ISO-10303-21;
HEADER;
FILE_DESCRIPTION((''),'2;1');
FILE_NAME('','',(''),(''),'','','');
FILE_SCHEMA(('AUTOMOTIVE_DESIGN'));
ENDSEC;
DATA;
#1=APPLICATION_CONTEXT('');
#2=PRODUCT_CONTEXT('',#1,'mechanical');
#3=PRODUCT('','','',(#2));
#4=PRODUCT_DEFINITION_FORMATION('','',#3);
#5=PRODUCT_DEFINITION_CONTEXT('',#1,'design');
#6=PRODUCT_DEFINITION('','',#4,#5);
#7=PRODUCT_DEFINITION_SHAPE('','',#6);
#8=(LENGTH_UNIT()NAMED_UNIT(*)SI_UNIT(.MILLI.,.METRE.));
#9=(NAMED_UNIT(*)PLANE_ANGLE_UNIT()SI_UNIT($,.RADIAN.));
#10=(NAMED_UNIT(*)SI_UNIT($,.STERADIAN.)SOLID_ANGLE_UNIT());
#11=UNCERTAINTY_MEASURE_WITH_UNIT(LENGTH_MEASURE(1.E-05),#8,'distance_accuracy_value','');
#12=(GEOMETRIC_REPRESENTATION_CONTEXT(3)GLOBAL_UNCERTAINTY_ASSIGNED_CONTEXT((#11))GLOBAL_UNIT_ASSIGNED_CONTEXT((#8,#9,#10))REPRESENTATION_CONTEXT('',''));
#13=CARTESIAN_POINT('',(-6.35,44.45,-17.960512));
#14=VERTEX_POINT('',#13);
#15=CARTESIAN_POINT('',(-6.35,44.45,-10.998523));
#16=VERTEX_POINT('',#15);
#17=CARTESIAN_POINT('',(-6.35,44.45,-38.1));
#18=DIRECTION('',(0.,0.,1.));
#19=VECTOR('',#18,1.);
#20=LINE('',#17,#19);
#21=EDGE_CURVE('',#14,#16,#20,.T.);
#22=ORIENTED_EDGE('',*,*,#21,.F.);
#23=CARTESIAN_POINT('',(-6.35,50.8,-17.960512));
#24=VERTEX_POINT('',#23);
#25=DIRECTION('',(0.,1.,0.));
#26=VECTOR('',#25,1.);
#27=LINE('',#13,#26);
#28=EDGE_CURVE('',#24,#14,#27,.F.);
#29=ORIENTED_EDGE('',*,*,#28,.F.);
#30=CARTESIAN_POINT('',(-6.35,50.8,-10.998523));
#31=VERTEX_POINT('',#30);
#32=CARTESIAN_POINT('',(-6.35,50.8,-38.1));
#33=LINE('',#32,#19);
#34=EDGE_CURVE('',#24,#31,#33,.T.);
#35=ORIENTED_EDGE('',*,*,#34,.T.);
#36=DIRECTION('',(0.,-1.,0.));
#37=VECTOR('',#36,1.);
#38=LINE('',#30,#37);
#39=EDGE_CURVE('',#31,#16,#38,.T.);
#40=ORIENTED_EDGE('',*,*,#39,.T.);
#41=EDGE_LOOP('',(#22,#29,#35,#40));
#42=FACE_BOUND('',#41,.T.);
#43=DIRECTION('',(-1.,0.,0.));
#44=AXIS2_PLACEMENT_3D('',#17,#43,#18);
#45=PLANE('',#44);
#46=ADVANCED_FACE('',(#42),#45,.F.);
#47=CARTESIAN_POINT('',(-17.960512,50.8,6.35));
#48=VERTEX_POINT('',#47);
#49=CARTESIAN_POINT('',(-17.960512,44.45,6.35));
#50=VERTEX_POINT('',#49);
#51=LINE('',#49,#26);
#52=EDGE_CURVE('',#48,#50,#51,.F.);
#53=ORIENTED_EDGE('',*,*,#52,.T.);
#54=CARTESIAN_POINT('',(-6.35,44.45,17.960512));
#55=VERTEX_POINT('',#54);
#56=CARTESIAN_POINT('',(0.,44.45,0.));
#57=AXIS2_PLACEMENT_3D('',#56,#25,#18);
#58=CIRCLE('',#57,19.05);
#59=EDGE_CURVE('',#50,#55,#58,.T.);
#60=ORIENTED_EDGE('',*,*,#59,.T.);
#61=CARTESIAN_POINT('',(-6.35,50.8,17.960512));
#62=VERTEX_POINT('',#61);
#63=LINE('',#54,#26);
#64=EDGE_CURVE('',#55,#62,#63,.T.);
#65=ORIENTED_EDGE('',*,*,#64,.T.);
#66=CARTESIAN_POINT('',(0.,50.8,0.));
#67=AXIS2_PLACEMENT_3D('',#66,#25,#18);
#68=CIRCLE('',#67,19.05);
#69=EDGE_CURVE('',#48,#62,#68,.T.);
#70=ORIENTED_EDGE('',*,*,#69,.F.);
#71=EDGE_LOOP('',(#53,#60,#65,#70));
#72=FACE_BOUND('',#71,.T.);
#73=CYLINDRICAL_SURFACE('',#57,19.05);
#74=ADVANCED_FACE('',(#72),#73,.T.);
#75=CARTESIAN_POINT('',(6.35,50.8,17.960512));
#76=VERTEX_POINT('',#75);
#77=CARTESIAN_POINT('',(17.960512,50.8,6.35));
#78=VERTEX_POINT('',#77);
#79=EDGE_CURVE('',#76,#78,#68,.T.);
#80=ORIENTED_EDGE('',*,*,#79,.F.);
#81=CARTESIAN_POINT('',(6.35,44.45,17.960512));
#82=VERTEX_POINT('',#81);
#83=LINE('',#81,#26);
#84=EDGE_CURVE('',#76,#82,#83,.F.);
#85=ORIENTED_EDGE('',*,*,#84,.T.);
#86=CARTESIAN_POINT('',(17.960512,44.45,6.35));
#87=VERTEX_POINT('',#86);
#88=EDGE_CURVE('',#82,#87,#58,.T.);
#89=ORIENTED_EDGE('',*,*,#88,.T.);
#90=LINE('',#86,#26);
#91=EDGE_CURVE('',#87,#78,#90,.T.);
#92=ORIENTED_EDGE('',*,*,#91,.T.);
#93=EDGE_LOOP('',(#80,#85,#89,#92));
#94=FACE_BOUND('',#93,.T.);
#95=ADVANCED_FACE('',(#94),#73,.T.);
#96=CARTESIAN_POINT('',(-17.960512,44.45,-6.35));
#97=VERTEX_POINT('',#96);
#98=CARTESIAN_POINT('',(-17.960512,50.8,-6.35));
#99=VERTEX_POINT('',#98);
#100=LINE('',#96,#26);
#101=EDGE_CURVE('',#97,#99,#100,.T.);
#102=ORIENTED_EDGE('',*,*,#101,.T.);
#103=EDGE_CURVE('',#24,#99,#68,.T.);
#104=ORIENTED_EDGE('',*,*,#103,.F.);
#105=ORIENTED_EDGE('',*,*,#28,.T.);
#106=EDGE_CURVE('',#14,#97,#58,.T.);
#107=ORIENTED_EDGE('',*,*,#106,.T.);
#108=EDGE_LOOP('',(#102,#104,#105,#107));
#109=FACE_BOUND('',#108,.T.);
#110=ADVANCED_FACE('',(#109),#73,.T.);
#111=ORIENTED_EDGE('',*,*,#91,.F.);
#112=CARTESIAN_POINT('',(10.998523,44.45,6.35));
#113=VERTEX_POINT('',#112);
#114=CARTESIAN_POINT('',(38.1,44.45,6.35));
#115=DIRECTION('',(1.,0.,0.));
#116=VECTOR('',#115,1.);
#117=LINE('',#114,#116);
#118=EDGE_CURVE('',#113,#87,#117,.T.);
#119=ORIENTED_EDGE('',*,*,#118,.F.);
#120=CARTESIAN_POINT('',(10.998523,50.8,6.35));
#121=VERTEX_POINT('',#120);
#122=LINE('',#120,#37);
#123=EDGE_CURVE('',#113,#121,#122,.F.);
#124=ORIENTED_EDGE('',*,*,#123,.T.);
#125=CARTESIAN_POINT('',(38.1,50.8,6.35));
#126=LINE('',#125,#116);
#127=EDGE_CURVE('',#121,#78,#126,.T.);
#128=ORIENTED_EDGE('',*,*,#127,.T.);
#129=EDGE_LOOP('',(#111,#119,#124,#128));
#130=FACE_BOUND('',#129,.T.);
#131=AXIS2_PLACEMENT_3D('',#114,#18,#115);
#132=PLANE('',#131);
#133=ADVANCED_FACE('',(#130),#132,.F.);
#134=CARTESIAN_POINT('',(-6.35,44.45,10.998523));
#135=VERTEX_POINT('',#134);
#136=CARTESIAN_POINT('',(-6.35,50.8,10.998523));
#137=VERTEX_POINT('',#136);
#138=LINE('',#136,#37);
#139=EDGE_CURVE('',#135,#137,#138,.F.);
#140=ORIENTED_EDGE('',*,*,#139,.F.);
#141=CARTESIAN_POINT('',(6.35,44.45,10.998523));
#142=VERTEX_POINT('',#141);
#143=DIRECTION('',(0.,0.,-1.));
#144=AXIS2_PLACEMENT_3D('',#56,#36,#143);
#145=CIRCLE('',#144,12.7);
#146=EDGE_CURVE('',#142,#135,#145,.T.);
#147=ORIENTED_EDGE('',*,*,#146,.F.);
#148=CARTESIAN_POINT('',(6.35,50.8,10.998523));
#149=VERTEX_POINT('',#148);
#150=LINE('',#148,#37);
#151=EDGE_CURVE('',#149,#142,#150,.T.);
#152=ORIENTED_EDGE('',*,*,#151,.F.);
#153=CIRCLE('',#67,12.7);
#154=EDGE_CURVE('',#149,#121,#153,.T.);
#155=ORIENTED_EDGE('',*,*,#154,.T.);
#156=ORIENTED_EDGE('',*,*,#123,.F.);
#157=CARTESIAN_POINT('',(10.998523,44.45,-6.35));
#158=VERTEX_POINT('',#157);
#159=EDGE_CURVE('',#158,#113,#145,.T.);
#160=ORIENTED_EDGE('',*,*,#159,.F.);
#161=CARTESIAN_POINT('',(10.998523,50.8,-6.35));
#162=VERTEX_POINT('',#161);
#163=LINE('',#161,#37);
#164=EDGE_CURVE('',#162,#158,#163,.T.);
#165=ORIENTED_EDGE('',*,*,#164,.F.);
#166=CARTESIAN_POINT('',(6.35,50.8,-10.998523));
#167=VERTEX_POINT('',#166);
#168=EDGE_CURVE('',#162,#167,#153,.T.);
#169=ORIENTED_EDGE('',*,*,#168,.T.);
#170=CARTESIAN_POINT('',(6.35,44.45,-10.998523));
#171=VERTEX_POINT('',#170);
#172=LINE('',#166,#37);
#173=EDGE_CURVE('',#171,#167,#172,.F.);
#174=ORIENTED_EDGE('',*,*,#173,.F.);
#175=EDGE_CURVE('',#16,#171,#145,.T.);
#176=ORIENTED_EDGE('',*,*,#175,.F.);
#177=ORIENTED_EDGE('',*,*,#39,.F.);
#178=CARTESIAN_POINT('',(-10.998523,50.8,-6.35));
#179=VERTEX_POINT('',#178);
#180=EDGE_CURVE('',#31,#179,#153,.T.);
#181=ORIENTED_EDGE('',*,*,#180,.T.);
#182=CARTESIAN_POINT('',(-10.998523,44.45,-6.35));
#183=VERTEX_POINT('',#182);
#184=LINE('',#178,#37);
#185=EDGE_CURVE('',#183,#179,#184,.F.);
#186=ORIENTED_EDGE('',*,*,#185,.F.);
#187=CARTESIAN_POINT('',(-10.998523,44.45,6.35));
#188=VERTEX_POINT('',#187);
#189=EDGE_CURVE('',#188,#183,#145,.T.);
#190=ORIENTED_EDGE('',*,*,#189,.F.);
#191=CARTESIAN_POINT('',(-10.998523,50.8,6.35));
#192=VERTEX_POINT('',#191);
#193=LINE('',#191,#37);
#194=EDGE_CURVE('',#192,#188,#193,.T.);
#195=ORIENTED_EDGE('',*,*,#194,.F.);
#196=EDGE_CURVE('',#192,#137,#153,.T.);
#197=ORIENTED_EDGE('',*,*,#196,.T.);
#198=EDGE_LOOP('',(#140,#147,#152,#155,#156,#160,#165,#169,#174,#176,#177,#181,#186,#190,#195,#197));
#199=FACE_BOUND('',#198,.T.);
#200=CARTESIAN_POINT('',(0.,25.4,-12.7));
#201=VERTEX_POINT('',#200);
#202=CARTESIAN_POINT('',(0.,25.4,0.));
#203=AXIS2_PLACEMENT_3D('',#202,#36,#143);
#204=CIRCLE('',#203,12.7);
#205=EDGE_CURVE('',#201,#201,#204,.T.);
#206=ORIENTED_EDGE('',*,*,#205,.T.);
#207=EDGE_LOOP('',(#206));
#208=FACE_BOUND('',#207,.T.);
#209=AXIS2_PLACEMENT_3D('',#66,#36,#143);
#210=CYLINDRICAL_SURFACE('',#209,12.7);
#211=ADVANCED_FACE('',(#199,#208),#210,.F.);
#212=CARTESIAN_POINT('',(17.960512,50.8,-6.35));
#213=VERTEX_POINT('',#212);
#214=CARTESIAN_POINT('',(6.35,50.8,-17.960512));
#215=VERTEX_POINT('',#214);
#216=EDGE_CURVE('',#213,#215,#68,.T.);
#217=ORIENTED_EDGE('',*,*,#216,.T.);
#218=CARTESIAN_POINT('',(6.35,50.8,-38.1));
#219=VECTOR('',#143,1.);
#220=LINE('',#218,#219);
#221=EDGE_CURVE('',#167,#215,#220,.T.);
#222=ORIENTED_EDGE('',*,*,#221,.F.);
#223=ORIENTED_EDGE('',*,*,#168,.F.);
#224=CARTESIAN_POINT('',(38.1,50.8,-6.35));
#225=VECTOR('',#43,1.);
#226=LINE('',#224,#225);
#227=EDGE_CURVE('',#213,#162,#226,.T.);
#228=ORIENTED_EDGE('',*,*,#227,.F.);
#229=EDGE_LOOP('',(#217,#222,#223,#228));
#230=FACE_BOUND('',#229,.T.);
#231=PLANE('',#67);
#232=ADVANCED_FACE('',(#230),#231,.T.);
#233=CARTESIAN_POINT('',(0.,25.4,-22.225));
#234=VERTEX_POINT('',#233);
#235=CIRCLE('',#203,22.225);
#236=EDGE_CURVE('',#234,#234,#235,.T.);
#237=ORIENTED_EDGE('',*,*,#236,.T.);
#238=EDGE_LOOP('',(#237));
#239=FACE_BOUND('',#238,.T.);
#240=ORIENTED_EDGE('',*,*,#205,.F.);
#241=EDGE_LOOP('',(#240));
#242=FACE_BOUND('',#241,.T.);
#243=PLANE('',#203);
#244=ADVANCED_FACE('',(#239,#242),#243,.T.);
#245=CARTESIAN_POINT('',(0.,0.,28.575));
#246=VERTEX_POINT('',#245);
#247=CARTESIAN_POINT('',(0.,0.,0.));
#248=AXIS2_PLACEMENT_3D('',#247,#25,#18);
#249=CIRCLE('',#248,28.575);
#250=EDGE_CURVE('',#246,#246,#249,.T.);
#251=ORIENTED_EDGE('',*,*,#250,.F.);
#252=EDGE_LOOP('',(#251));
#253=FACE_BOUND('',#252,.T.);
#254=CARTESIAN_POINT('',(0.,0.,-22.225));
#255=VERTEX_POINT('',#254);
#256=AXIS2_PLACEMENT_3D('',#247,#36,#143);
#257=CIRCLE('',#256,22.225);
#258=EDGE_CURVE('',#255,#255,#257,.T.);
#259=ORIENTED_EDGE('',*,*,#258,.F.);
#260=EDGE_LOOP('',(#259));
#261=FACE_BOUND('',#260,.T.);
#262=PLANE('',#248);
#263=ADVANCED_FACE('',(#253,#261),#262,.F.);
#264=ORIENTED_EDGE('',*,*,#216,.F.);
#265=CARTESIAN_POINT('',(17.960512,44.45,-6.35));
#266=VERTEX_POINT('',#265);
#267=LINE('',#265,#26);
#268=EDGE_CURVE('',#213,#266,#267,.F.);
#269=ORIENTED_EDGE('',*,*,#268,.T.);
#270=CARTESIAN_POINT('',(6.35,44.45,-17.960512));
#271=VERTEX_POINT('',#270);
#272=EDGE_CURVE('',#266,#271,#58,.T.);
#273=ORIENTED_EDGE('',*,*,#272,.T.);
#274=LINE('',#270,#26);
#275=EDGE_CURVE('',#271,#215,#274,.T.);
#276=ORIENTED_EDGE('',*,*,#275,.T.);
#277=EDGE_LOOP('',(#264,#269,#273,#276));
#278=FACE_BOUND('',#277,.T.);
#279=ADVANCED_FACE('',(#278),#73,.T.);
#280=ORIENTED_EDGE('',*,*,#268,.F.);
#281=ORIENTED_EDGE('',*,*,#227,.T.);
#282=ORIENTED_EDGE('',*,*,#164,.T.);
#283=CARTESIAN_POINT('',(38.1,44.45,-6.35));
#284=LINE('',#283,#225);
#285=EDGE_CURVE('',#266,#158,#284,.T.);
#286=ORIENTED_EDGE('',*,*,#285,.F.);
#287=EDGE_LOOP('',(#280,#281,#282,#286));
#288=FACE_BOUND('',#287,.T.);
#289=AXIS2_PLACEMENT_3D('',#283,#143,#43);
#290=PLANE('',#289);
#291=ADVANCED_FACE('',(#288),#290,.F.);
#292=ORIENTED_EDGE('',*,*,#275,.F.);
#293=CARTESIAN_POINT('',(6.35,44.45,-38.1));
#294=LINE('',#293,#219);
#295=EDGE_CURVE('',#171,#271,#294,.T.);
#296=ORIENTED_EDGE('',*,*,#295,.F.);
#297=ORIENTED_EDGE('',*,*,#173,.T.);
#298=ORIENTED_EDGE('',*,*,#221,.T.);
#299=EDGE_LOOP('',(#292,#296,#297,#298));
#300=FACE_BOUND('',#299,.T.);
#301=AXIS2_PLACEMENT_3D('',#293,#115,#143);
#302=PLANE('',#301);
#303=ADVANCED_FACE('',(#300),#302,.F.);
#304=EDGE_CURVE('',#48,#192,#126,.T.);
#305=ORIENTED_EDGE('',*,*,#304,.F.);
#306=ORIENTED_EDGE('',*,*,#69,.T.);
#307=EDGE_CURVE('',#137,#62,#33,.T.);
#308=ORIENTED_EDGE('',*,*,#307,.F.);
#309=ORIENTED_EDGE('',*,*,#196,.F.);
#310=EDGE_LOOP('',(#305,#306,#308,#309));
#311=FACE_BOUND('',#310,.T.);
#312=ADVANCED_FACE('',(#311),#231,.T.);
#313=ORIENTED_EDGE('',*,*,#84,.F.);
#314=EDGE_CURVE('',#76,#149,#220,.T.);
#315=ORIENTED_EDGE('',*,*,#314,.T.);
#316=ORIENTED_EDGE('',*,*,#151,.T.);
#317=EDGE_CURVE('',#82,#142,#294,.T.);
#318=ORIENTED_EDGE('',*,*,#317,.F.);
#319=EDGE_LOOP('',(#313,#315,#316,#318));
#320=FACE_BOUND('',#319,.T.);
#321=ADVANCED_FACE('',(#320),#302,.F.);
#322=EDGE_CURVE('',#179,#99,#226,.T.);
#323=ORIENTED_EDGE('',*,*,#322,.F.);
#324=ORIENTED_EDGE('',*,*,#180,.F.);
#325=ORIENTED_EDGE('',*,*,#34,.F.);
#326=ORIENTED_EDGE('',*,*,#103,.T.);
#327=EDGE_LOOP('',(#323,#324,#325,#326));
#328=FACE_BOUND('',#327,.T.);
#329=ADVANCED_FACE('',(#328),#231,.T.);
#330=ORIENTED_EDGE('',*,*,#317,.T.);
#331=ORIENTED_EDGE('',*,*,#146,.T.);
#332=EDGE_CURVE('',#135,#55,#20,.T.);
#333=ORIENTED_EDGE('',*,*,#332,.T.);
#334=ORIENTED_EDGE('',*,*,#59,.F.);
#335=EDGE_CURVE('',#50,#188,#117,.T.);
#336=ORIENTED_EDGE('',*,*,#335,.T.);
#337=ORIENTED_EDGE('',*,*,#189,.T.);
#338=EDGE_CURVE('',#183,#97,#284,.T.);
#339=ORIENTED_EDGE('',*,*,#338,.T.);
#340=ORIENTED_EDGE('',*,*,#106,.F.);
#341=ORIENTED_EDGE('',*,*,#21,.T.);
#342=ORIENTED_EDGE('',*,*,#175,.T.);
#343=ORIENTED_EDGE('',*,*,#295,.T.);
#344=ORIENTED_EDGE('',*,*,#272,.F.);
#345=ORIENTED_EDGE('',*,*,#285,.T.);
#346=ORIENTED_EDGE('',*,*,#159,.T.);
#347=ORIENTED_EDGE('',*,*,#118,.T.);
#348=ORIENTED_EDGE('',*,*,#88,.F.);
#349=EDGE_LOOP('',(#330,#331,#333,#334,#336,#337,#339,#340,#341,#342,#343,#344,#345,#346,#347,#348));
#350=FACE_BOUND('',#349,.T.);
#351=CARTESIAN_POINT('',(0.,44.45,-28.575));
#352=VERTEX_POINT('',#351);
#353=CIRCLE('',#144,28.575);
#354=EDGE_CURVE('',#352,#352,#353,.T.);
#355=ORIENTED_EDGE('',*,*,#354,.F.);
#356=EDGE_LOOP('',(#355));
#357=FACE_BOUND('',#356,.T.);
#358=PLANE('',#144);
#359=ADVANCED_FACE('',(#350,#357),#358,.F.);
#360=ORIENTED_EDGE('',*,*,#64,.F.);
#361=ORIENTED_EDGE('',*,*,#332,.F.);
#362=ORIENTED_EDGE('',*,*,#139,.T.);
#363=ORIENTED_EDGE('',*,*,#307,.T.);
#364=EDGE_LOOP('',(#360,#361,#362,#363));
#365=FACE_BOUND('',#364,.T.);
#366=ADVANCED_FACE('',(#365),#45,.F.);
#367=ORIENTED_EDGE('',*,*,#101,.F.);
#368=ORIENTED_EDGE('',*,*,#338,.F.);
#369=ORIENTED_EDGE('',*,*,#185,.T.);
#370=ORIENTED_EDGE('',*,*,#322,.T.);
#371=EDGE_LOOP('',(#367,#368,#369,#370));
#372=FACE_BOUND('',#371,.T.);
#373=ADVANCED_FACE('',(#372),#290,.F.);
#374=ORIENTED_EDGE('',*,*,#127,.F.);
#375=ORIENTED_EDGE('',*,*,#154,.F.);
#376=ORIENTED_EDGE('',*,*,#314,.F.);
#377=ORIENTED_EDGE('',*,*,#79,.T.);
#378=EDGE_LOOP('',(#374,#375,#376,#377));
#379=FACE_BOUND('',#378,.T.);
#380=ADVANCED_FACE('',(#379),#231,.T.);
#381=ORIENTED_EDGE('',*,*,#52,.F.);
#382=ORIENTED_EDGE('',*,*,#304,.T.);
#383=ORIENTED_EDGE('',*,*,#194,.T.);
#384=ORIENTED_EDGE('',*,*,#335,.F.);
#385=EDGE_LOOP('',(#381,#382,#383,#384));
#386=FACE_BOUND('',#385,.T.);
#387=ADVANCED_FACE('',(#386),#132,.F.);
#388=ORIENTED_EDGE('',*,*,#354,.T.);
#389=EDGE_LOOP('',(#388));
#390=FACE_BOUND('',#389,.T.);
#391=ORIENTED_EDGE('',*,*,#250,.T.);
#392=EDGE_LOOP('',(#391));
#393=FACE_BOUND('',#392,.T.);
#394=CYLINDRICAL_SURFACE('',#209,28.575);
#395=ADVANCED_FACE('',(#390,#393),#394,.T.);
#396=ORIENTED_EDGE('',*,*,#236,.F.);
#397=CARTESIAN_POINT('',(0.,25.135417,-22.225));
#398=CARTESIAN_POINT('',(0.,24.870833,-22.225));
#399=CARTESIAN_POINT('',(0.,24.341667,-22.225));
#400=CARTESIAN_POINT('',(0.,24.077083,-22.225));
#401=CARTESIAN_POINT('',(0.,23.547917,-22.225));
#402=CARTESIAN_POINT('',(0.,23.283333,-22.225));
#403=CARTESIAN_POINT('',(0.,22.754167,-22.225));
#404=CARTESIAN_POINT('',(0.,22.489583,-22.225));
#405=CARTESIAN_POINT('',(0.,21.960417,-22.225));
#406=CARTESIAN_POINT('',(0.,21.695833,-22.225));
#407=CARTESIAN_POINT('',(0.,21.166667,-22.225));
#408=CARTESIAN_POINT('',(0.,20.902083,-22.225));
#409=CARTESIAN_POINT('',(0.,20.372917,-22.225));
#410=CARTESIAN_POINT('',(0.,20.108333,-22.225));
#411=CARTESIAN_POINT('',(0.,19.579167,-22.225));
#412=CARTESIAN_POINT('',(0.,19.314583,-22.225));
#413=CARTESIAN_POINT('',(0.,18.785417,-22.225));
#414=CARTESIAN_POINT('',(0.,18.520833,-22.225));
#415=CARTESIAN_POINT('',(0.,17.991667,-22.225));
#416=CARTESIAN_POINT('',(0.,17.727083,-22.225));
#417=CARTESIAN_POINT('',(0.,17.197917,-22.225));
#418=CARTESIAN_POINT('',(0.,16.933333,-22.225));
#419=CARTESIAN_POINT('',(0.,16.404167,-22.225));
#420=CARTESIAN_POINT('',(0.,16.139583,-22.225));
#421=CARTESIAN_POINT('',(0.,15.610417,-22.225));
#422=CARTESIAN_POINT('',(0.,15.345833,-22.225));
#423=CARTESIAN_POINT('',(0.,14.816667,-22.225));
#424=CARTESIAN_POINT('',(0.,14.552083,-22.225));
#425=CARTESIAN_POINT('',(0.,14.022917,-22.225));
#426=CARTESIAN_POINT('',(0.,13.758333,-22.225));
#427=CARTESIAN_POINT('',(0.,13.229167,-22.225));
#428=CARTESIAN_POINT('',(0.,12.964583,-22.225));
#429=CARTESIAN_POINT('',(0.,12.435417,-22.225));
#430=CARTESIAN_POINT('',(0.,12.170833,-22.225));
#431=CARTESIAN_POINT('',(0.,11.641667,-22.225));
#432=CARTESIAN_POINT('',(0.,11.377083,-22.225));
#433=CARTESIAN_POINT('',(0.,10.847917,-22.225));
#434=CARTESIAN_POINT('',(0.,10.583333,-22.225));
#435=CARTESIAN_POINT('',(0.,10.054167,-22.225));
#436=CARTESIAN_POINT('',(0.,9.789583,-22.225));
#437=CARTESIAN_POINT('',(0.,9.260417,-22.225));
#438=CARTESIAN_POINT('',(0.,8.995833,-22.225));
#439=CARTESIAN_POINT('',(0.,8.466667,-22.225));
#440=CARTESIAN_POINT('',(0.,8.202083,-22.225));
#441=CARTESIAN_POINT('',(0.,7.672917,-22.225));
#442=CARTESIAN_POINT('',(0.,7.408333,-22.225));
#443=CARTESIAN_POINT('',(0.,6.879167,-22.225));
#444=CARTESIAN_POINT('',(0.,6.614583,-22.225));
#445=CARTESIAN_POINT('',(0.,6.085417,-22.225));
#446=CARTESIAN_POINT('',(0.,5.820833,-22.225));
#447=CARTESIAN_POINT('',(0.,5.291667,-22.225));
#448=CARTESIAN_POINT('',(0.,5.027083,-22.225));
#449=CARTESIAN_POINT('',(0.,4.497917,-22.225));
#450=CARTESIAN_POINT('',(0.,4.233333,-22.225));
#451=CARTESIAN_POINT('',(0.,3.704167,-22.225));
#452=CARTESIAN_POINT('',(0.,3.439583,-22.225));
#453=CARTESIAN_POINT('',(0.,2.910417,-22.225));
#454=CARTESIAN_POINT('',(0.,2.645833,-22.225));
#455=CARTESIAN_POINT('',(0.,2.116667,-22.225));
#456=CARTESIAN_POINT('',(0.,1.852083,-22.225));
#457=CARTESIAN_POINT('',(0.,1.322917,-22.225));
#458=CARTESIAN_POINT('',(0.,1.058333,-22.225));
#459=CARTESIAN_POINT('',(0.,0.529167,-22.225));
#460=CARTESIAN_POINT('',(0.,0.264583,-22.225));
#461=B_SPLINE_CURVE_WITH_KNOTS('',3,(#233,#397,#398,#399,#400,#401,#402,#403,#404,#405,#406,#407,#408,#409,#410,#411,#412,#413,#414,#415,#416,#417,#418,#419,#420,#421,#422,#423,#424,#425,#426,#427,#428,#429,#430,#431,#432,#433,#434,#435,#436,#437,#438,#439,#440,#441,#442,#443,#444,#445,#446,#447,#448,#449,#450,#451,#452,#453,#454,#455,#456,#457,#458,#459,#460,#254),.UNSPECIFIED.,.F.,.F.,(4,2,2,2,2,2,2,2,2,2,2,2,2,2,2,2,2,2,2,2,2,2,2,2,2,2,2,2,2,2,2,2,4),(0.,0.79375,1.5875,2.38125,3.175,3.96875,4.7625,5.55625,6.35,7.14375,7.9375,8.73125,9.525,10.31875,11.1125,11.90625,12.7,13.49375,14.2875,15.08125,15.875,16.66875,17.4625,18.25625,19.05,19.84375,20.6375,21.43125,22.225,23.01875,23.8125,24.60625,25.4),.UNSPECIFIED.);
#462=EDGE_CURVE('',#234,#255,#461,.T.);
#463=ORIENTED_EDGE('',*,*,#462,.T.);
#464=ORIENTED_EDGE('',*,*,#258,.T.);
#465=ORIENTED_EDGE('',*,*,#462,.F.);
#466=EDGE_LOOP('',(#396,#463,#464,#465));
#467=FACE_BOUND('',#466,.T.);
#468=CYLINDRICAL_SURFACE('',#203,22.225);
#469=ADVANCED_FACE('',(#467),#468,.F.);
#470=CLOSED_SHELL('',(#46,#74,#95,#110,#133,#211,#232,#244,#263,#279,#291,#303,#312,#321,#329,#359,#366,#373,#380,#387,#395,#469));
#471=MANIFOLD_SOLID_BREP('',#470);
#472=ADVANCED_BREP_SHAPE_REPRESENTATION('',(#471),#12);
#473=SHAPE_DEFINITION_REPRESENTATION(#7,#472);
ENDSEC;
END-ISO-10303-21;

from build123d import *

# Parameters (mm, degrees)
SKETCH2_R           = 28.575
SKETCH2_R_2         = 12.7
BOSS_EXTRUDE2_DEPTH = 50.8
SKETCH4_W           = 76.2
SKETCH4_H           = 12.7
CUT_EXTRUDE7_DEPTH  = 6.35
CIRPATTERN1_COUNT   = 2
CIRPATTERN1_ANGLE   = 90
SKETCH9_R           = 22.225
CUT_EXTRUDE8_DEPTH  = 25.4
CUT_EXTRUDE10_START = -6.35
SKETCH10_R          = 28.575
SKETCH10_R_2        = 19.05
CUT_EXTRUDE10_DEPTH = 6.35


with BuildPart() as part:
    # Sketch2 → Boss-Extrude2 (new body)
    with BuildSketch(Plane(origin=(0, 0, 0), x_dir=(1, 0, 0), z_dir=(0, 1, 0))):
        with Locations(Location((0, 0, 0), (0, 0, 270))):
            Circle(SKETCH2_R)
        with Locations(Location((0, 0, 0), (0, 0, 270))):
            Circle(SKETCH2_R_2, mode=Mode.SUBTRACT)
    extrude(amount=BOSS_EXTRUDE2_DEPTH)

    # Sketch4 → Cut-Extrude7 (cut)
    with BuildSketch(Plane(origin=(0, 50.8, 0), x_dir=(1, 0, 0), z_dir=(0, 1, 0))):
        Rectangle(SKETCH4_W, SKETCH4_H)
    cut_extrude7 = extrude(amount=-CUT_EXTRUDE7_DEPTH, mode=Mode.SUBTRACT)

    # CirPattern1: Cut-Extrude7 ×2 about axis
    cirpattern1_axis = Axis((0, 50.8, 0), (0, 1, 0))
    for i in range(1, CIRPATTERN1_COUNT):
        add(cut_extrude7.rotate(cirpattern1_axis, i * CIRPATTERN1_ANGLE / (CIRPATTERN1_COUNT - 1)), mode=Mode.SUBTRACT)

    # Sketch9 → Cut-Extrude8 (cut)
    with BuildSketch(Plane.XZ):
        with Locations(Location((0, 0, 0), (0, 0, 270))):
            Circle(SKETCH9_R)
    extrude(amount=-CUT_EXTRUDE8_DEPTH, mode=Mode.SUBTRACT)

    # Sketch10 → Cut-Extrude10 (cut)
    with BuildSketch(Plane(origin=(0, 50.8, 0), x_dir=(1, 0, 0), z_dir=(0, 1, 0)).offset(CUT_EXTRUDE10_START)):
        with Locations(Location((0, 0, 0), (0, 0, 90))):
            Circle(SKETCH10_R)
        Circle(SKETCH10_R_2, mode=Mode.SUBTRACT)
    extrude(amount=CUT_EXTRUDE10_DEPTH, mode=Mode.SUBTRACT)


solid = part.part
